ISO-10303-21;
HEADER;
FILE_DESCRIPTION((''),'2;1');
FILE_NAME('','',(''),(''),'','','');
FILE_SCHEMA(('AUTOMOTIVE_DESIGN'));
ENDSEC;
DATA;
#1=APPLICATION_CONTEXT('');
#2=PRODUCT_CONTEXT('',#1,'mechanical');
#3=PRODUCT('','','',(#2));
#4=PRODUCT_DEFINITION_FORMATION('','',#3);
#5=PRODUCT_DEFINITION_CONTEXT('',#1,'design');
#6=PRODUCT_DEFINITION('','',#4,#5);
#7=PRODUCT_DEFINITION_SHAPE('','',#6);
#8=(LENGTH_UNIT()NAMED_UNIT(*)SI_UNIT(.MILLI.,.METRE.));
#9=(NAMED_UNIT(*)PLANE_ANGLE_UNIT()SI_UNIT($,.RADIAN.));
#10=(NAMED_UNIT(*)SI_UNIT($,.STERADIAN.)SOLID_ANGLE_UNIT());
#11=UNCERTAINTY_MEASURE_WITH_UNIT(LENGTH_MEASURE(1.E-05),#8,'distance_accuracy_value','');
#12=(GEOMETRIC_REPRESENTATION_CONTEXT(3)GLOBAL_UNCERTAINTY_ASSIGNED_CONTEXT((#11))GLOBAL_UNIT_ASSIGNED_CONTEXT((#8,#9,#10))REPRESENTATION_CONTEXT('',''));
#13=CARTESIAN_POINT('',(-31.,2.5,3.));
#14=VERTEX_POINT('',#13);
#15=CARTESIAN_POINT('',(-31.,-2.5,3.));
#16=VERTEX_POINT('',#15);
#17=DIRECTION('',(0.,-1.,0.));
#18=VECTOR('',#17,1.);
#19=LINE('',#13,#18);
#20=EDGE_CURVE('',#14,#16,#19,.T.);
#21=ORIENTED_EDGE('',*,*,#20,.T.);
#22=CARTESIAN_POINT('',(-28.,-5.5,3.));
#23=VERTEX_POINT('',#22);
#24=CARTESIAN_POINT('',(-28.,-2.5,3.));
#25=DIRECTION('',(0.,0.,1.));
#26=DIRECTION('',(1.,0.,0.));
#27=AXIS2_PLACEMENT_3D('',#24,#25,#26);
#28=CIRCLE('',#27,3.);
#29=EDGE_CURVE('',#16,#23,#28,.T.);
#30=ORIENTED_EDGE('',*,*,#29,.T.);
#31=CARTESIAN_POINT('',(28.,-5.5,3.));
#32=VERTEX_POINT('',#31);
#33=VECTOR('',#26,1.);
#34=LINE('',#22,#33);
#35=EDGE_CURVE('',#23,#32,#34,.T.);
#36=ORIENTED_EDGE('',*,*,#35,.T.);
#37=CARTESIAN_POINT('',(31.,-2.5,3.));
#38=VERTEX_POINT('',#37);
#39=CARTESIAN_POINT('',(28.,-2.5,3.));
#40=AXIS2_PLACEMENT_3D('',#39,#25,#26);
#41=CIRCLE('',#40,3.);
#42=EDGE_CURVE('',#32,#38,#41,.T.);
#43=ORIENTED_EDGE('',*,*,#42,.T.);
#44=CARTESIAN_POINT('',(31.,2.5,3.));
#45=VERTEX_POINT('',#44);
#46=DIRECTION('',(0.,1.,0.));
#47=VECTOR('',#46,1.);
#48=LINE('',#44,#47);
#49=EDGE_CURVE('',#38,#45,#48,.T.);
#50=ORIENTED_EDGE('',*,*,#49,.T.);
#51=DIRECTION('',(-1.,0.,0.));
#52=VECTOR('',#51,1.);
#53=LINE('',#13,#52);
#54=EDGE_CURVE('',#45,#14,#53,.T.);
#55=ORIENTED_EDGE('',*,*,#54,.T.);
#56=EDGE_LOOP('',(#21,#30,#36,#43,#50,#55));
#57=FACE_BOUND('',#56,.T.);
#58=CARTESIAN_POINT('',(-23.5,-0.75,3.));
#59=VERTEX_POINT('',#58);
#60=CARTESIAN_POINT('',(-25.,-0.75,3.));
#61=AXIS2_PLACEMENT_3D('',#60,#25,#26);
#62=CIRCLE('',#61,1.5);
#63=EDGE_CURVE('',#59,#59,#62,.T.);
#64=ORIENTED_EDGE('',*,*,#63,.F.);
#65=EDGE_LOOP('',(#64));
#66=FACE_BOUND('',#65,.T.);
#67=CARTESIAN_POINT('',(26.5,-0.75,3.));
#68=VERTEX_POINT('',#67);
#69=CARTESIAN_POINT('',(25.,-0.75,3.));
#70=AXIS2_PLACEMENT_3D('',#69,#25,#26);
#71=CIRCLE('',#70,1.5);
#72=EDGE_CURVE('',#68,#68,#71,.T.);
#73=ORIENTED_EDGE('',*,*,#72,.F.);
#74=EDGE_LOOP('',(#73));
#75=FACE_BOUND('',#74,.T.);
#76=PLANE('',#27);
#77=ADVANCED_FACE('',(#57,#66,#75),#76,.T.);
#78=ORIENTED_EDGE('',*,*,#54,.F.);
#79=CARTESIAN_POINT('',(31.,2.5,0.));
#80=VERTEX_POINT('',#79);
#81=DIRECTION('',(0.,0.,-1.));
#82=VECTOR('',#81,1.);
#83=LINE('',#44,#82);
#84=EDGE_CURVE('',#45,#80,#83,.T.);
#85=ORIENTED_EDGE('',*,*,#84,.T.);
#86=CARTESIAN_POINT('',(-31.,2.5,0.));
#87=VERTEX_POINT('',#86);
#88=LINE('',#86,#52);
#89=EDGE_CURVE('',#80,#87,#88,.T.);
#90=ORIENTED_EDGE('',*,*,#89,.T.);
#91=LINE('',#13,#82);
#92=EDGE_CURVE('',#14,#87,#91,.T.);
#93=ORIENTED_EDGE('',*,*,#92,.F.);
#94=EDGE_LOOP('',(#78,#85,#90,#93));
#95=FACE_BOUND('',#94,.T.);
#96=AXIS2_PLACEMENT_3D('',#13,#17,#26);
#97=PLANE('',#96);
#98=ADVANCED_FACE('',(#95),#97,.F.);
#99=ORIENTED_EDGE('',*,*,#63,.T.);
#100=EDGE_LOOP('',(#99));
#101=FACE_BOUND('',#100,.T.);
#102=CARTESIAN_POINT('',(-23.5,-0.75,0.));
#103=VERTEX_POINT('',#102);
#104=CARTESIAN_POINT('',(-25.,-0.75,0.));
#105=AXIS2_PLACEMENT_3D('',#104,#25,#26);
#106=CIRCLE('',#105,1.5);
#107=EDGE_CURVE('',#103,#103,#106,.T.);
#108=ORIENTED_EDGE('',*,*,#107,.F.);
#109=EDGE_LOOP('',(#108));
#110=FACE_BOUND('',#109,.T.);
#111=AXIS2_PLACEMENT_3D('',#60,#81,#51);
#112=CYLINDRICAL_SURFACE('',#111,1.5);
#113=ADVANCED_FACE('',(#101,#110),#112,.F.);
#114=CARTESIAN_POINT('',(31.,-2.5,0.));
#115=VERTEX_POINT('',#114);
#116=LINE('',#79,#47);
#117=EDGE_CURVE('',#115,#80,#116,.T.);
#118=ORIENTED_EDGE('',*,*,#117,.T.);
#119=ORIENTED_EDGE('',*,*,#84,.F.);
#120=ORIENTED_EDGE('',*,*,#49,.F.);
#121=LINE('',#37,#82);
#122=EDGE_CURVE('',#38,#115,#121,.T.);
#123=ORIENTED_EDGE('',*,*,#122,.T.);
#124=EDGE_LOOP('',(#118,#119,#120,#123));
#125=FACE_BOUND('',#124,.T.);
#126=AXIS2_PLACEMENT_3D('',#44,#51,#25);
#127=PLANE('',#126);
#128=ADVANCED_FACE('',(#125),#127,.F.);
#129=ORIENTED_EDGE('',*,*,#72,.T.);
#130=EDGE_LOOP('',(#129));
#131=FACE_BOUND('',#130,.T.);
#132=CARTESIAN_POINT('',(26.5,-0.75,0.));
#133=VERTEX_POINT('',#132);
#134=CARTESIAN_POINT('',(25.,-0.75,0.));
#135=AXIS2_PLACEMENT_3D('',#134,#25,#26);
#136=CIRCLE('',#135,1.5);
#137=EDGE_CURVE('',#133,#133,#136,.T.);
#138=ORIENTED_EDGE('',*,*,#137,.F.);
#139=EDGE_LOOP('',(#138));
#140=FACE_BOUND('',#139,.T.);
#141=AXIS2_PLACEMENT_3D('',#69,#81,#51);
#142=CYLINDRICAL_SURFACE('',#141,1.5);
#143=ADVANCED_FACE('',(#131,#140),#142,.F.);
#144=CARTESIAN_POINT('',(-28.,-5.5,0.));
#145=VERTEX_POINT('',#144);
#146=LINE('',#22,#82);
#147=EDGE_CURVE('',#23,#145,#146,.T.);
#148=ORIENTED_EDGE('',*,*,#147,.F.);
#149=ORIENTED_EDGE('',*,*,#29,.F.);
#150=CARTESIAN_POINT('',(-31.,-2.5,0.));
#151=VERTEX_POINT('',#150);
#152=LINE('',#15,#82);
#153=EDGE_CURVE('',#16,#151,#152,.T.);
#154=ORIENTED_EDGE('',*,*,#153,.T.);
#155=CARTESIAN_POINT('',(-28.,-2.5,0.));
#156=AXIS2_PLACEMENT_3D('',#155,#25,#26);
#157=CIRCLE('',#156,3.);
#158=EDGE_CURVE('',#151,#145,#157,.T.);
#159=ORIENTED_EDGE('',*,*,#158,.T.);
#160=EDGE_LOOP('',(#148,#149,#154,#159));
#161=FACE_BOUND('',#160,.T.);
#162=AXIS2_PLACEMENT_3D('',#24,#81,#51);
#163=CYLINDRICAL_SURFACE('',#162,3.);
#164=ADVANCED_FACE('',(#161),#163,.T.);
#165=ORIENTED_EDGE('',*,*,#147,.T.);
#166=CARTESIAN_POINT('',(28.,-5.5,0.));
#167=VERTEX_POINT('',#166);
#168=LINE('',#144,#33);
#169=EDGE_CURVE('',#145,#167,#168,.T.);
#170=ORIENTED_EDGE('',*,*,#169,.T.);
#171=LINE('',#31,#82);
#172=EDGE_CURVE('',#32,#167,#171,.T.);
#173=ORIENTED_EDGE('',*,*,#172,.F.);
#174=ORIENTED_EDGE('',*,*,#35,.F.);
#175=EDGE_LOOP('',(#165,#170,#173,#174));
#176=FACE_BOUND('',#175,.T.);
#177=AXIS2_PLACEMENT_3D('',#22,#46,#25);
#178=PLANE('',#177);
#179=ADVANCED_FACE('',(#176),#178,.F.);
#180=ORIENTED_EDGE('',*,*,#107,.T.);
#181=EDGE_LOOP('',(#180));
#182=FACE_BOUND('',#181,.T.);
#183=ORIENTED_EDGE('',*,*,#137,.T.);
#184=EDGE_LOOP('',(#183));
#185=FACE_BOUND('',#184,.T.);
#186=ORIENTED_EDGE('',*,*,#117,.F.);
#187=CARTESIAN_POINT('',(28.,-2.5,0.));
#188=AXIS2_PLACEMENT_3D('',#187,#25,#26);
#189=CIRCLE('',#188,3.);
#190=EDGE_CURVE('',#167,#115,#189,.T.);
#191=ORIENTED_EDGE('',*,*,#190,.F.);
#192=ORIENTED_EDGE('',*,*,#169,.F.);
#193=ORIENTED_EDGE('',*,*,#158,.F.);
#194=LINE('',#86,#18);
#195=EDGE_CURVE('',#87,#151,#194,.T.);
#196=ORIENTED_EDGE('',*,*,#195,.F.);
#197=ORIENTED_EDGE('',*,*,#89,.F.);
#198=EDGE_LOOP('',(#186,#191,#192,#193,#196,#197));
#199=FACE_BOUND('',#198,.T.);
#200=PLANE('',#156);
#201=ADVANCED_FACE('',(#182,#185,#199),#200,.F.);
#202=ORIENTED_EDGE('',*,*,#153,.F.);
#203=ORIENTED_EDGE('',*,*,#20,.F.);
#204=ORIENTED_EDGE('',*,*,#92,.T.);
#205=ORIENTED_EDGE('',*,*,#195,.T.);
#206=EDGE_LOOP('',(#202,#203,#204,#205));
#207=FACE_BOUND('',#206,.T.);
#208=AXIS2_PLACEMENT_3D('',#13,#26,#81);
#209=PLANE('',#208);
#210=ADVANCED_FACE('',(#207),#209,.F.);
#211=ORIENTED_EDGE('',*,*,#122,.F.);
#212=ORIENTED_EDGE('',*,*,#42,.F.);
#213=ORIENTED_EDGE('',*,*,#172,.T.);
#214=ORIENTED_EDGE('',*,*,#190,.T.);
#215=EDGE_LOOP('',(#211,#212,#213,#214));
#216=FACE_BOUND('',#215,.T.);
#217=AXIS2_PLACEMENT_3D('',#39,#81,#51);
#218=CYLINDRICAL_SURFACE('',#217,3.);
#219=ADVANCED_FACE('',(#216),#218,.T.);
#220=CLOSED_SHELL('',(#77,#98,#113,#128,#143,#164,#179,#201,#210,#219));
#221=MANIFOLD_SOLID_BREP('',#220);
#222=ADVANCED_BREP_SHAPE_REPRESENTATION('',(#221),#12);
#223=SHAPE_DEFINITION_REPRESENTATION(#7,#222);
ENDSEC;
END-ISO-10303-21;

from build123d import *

# Parameters (mm, degrees)
SKETCH1_R           = 1.5
BOSS_EXTRUDE1_DEPTH = 3


with BuildPart() as part:
    # Sketch1 → Boss-Extrude1 (new body)
    with BuildSketch(Plane.XY):
        with BuildLine():
            Line((-31, 2.5), (31, 2.5))
            Line((31, 2.5), (31, -2.5))
            ThreePointArc((31, -2.5), (30.121320344, -4.621320344), (28, -5.5))
            Line((28, -5.5), (-28, -5.5))
            ThreePointArc((-28, -5.5), (-30.121320344, -4.621320344), (-31, -2.5))
            Line((-31, -2.5), (-31, 2.5))
        make_face()
        with Locations((-25, -0.75)):
            Circle(SKETCH1_R, mode=Mode.SUBTRACT)
        with Locations((25, -0.75)):
            Circle(SKETCH1_R, mode=Mode.SUBTRACT)
    extrude(amount=BOSS_EXTRUDE1_DEPTH)


solid = part.part
